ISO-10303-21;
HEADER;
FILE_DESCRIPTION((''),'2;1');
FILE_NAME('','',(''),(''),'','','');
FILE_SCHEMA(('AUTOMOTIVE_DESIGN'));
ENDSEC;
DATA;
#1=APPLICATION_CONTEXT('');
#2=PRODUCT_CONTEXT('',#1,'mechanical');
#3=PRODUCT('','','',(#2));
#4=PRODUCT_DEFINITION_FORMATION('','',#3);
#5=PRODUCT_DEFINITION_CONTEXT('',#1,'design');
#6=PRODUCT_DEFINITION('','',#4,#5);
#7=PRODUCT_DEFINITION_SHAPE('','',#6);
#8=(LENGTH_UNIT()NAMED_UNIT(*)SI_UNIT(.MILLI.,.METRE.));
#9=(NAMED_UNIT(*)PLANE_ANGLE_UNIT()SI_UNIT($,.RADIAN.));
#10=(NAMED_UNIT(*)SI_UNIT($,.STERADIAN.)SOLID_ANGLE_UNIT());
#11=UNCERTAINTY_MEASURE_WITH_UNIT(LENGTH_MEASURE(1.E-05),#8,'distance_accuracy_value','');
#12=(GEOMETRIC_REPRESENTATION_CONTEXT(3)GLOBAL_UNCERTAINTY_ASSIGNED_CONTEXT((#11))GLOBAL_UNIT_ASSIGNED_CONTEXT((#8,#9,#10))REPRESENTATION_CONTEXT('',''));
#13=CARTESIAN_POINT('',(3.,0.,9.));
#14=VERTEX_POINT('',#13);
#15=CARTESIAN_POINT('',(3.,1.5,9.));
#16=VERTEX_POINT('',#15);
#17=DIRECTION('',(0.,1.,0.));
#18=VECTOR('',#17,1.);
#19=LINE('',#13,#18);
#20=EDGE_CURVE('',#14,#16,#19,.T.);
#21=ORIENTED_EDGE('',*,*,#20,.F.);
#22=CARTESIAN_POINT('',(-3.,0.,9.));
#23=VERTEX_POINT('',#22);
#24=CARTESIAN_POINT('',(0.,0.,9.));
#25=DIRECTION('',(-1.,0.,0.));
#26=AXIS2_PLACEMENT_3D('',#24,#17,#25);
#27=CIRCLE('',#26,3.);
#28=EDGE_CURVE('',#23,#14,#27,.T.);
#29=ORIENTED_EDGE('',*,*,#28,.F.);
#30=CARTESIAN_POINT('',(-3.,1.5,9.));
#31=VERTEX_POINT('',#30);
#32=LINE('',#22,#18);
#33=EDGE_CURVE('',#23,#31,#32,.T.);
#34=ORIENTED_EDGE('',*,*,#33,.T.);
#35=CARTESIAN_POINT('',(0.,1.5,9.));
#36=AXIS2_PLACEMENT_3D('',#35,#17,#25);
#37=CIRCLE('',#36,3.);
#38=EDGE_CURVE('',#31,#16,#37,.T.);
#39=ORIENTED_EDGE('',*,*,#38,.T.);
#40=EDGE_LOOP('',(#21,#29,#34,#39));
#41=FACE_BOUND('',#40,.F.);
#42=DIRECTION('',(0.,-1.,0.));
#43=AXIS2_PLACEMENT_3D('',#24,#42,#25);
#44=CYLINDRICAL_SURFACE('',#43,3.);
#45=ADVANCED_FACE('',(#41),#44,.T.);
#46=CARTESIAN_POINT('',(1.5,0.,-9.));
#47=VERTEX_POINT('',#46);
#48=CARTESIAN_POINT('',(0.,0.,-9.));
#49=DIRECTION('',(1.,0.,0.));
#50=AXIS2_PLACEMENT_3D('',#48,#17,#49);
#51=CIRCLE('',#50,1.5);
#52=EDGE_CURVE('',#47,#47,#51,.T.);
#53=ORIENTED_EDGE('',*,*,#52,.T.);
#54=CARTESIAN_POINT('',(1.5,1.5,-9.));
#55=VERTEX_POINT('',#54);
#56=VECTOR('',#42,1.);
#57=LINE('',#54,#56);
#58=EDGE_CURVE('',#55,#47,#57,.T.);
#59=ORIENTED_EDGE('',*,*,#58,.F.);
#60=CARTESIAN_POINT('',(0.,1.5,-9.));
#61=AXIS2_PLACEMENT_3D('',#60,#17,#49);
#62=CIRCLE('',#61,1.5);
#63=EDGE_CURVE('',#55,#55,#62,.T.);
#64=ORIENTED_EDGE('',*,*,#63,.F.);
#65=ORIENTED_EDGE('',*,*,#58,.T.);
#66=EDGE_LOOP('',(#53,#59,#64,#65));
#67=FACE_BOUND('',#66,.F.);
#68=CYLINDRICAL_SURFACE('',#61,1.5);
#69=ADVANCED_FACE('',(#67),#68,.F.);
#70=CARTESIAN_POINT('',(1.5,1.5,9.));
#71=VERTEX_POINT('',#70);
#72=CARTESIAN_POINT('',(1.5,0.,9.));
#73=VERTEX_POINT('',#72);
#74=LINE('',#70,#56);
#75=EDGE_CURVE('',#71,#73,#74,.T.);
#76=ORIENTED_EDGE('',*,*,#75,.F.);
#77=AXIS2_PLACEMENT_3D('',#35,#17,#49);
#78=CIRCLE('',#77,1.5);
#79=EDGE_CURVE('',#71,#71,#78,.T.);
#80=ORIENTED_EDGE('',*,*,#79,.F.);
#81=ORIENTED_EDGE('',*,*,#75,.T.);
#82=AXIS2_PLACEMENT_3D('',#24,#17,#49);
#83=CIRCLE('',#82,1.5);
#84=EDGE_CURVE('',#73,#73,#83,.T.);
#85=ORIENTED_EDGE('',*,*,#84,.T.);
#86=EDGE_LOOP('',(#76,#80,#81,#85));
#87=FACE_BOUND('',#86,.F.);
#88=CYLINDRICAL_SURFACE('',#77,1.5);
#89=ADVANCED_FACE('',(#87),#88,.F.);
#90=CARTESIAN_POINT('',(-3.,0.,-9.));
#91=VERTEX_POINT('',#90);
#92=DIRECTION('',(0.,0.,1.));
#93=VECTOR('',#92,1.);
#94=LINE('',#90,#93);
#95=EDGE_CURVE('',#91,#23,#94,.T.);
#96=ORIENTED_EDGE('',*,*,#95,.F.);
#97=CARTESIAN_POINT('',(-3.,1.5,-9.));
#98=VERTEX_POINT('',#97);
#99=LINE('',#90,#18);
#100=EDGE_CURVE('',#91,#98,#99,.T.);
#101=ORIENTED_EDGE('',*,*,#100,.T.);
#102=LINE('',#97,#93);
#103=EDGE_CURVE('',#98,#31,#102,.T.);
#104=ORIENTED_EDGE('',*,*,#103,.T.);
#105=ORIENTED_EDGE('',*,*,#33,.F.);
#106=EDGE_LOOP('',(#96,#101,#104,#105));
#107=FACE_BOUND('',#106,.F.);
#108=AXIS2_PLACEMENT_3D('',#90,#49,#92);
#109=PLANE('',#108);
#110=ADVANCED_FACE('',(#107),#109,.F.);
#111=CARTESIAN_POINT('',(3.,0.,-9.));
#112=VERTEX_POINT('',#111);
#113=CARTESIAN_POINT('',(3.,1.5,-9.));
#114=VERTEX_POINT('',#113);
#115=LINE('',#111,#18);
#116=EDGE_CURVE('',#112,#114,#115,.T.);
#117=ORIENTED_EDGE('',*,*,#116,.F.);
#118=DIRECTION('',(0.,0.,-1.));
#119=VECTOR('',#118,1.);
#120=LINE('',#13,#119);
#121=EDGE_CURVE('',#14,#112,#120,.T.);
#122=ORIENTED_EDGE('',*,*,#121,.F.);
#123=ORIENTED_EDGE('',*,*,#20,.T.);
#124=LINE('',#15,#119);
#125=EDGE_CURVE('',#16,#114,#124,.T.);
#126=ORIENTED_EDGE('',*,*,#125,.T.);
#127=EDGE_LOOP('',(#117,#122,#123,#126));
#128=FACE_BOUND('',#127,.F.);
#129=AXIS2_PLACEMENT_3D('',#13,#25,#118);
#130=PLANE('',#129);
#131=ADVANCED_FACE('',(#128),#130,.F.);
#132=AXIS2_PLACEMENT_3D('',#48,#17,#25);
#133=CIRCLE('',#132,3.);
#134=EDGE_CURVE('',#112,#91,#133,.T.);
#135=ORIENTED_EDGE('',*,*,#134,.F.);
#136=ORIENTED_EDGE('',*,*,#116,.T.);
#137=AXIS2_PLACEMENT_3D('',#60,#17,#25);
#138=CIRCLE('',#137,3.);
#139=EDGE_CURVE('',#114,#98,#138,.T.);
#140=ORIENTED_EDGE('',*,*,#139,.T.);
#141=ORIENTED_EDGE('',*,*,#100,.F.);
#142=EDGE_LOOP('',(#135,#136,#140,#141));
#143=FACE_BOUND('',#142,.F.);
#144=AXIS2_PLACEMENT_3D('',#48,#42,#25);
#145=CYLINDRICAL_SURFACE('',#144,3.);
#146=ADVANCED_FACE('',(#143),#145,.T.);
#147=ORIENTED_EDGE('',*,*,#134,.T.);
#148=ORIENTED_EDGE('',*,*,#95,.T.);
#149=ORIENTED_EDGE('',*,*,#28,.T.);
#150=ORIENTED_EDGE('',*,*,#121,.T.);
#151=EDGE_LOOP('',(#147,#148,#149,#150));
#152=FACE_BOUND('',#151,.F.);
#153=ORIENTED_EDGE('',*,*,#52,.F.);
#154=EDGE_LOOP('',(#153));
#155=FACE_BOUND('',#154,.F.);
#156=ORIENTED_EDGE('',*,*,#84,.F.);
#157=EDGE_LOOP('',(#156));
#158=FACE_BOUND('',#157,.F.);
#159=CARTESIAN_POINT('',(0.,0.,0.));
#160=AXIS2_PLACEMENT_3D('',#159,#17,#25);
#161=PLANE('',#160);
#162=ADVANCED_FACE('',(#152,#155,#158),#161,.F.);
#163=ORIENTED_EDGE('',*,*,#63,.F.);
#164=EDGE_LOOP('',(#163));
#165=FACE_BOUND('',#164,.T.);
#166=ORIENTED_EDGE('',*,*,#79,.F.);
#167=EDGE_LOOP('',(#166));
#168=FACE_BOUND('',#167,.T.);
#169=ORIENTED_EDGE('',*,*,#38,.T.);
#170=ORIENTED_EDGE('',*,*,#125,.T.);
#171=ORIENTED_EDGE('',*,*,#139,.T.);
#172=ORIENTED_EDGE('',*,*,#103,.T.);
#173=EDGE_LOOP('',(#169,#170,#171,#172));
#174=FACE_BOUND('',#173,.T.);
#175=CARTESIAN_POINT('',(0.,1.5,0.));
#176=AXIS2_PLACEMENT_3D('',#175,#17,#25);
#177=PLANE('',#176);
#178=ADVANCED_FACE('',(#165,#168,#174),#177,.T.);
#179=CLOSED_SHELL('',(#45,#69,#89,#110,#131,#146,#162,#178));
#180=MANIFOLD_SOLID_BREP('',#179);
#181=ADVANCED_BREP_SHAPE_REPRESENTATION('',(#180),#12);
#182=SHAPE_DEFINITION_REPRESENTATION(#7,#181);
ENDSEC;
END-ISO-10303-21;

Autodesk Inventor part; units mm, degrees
ref_plane "YZ Plane" through (0, 0, 0) normal (1, 0, 0) x (0, 1, 0)
ref_plane "XZ Plane" through (0, 0, 0) normal (0, 1, 0) x (-1, 0, 0)
ref_plane "XY Plane" through (0, 0, 0) normal (0, 0, 1) x (1, 0, 0)
sketch "Sketch1" plane through (0, 0, 0) normal (0, 1, 0) x (-1, 0, 0)
  line L0 (-3, -9) -> (3, -9)
  line L1 (3, -9) -> (3, 9)
  line L2 (3, 9) -> (-3, 9)
  line L3 (-3, 9) -> (-3, -9)
  line L4 (-3, -9) -> (3, 9) construction
  line L5 (3, -9) -> (-3, 9) construction
  circle A0 centre (0, -9) radius 3
  circle A1 centre (0, 9) radius 3
  point P0 (0, 0)
  dimension "d0" = 6
  dimension "d1" = 18
  dimension "d2" = 6
extrude "Extrusion1" add sketch "Sketch1" along normal blind 1.5
sketch "Sketch2" plane through (0, 1.5, 0) normal (0, 1, 0) x (1, 0, 0)
  arc A0 (-3, -9) -> (3, -9) centre (0, -9) ccw projected
  arc A1 (3, 9) -> (-3, 9) centre (0, 9) ccw projected
  circle A2 centre (0, 9) radius 1.5
  circle A3 centre (0, -9) radius 1.5
  point P0 (0, 0)
  dimension "d5" = 3
  dimension "d6" = 3
extrude "Extrusion2" cut sketch "Sketch2" against normal blind 2
properties part number "ruka_tahlo"
